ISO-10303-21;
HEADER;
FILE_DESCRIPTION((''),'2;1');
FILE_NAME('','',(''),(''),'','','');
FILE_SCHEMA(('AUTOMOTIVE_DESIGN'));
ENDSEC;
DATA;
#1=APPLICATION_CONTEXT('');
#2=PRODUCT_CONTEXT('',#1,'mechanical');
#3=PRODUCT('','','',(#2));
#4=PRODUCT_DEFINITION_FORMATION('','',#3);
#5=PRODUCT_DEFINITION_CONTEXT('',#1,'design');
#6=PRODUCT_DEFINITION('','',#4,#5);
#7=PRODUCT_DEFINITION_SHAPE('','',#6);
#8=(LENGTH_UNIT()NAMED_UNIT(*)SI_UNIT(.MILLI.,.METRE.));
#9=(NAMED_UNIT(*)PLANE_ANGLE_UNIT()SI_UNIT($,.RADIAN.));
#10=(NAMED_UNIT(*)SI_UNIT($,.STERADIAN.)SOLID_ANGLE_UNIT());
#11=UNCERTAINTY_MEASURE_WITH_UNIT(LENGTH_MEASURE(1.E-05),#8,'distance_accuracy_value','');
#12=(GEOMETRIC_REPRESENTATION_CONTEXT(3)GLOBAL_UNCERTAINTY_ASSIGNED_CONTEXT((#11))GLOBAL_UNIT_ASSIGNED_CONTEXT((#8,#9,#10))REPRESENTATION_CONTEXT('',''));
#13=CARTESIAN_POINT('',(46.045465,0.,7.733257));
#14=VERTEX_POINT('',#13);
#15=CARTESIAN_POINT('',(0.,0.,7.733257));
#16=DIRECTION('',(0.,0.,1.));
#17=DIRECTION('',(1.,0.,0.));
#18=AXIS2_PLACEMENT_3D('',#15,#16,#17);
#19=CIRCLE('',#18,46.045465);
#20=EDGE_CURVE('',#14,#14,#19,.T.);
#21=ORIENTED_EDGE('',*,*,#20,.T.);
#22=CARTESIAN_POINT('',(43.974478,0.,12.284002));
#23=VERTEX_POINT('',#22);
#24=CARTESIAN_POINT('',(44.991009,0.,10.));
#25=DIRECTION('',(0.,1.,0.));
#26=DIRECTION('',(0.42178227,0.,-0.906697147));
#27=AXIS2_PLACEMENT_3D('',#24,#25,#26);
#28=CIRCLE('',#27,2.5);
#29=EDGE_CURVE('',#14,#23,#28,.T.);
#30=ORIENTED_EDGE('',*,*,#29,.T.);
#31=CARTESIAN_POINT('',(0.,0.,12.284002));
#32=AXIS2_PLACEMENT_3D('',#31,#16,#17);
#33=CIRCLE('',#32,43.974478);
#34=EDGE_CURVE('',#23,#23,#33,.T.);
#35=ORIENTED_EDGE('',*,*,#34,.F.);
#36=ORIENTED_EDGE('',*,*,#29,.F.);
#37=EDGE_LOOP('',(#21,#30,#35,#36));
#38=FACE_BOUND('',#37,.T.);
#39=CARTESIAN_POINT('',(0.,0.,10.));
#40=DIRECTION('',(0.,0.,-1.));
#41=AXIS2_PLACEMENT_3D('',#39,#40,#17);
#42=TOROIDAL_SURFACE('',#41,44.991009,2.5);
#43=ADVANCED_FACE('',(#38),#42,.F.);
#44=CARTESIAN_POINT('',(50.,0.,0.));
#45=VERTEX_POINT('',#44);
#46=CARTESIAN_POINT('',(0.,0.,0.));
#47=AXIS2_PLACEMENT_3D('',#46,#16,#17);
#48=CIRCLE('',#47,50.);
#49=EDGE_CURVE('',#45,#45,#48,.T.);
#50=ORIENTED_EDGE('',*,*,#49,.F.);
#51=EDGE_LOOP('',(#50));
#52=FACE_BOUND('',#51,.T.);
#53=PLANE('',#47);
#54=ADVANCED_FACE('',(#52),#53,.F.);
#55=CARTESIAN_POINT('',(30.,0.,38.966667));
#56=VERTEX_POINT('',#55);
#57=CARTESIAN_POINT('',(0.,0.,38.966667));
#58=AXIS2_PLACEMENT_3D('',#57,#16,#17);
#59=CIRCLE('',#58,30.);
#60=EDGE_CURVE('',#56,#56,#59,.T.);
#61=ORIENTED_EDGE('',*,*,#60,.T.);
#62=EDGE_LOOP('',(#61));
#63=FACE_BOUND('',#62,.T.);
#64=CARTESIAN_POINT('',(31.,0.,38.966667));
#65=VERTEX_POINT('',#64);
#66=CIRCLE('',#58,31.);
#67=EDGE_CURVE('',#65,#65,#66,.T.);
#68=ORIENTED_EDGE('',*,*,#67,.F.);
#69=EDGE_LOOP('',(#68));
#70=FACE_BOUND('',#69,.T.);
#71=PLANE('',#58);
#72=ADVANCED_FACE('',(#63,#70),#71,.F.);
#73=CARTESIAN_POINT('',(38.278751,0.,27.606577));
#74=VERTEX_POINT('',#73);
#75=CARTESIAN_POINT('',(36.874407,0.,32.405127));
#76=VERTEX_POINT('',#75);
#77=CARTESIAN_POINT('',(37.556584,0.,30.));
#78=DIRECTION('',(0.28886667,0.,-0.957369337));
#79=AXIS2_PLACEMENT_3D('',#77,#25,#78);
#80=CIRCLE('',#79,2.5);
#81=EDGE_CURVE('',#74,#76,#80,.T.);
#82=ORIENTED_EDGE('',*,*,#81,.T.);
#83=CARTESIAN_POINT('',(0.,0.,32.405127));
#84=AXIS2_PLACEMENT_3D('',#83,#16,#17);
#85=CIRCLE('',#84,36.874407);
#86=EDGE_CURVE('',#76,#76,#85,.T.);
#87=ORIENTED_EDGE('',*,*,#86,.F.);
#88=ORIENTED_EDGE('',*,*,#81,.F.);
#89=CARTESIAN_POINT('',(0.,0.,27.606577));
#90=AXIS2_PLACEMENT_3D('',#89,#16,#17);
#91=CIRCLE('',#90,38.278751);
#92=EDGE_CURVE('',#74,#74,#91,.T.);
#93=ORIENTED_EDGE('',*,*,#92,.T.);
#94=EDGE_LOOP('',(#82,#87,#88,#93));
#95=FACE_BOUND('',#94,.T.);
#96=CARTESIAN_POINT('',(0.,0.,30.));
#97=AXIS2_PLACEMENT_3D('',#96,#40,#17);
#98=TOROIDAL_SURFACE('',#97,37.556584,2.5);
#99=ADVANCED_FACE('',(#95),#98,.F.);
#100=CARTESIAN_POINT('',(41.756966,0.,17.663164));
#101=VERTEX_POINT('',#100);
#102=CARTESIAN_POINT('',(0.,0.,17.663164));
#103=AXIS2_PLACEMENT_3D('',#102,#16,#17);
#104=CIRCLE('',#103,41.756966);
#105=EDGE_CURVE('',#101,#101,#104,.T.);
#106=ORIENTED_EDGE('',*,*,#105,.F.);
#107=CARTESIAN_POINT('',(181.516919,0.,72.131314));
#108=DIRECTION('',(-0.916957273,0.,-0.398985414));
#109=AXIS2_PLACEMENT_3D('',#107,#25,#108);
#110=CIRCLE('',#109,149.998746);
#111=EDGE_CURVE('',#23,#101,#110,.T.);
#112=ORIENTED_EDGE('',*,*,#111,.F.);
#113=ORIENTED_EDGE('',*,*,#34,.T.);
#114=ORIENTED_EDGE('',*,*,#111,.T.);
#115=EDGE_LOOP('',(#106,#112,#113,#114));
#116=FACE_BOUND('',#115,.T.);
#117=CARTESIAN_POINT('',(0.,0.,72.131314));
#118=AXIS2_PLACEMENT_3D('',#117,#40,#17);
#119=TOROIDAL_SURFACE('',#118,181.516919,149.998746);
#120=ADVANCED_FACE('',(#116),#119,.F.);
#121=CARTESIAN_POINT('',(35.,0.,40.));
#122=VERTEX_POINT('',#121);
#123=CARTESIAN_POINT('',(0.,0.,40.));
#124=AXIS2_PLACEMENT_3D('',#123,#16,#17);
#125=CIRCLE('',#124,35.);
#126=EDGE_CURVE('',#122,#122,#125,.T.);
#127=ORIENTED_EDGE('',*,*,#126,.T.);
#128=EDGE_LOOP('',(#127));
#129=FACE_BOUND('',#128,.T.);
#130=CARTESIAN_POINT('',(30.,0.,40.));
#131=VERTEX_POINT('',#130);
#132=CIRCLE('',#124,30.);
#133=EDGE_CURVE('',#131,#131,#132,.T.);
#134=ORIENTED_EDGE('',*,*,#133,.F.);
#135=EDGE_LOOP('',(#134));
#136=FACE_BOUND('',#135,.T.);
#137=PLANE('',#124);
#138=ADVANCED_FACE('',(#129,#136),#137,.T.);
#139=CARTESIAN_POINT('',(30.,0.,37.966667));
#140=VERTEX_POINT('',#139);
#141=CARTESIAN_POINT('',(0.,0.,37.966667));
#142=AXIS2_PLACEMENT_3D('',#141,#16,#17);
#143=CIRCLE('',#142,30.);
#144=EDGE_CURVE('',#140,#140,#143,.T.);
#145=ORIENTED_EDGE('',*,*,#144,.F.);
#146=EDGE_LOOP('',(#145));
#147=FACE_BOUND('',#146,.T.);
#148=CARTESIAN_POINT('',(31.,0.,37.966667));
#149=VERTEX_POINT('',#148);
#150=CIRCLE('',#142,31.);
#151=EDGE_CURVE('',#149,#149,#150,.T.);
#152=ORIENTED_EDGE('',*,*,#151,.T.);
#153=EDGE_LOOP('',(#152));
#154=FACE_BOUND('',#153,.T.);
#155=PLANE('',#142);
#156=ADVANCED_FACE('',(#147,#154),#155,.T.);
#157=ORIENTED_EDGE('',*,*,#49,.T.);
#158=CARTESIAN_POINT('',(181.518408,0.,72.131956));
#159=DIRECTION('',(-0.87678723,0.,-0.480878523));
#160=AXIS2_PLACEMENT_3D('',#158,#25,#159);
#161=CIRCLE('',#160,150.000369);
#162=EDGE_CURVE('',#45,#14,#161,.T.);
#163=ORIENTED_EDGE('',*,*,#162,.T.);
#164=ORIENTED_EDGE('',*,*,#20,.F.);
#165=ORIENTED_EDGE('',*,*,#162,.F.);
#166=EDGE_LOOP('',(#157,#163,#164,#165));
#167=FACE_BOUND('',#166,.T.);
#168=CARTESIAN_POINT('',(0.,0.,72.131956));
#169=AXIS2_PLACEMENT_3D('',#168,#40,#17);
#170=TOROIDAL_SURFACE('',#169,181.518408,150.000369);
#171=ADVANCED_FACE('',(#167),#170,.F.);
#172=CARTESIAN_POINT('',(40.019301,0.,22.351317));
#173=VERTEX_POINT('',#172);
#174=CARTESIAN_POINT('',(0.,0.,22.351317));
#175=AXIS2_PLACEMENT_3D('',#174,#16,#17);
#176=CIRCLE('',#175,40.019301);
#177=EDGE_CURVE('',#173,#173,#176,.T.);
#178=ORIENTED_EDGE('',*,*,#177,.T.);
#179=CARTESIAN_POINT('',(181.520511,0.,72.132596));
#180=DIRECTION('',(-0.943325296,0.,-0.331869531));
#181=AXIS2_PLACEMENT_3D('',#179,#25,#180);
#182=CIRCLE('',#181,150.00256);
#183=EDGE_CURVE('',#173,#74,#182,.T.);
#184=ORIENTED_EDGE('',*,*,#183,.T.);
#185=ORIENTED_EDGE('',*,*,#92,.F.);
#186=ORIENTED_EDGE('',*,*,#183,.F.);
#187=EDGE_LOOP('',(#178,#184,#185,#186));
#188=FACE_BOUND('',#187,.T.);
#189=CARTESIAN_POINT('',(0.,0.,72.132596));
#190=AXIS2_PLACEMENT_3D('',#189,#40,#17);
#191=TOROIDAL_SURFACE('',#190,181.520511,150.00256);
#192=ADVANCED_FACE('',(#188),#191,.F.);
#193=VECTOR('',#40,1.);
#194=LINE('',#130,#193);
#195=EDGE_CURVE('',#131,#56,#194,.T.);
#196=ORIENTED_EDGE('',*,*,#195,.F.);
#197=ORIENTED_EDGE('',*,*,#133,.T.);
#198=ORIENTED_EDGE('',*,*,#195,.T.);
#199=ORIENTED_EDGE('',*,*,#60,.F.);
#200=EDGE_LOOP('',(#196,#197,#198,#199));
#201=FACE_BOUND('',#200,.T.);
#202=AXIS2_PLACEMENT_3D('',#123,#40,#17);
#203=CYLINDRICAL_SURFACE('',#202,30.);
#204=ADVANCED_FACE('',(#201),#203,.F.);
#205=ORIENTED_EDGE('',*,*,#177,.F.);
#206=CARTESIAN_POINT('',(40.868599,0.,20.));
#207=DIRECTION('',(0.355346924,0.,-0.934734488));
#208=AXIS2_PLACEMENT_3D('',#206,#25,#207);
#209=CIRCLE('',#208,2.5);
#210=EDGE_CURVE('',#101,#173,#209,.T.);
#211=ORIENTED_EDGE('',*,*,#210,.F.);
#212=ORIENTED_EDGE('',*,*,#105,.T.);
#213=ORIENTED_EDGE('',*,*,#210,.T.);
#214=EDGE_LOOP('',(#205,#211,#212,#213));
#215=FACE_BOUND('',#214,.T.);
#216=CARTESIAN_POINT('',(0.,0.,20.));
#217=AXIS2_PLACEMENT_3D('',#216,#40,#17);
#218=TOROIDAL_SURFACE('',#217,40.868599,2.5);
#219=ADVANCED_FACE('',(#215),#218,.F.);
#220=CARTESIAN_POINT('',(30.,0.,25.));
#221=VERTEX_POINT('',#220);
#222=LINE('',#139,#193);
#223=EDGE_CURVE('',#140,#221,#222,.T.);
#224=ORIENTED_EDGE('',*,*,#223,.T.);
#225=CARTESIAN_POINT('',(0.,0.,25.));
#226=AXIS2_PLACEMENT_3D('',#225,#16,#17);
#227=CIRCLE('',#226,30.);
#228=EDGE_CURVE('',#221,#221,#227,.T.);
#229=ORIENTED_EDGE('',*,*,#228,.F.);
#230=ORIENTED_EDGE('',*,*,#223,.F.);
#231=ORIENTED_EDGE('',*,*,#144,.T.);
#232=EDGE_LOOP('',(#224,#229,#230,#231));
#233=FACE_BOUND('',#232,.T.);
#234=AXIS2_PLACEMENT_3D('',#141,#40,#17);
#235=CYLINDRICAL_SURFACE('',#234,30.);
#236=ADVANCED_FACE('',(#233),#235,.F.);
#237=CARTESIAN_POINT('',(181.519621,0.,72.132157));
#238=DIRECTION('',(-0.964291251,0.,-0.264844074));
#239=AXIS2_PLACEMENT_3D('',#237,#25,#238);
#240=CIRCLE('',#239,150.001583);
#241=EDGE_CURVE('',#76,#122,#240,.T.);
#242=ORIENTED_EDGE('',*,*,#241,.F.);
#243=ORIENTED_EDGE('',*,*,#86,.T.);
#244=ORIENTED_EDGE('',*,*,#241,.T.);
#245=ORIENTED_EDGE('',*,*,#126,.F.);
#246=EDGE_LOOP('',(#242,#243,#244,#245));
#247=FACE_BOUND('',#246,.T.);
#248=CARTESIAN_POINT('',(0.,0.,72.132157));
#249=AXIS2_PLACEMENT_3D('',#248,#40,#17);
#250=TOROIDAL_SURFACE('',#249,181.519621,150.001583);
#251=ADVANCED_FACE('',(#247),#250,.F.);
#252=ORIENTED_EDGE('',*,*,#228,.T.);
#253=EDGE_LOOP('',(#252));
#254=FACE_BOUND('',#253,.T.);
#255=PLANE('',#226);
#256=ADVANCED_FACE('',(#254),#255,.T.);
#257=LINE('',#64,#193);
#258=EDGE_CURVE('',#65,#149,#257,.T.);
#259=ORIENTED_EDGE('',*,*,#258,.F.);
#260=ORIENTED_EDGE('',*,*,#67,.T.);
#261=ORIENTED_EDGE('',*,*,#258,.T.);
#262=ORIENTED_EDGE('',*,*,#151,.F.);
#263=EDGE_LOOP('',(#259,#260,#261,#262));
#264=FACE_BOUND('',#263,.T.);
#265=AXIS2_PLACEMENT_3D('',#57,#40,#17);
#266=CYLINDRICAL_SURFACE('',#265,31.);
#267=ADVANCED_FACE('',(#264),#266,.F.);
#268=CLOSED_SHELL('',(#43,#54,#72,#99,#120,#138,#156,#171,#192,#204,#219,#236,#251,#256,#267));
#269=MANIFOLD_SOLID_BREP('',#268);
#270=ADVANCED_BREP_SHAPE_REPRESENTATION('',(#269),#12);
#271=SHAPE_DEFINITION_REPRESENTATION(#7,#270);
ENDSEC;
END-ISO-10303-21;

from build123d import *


with BuildPart() as f1:
    # F0 (on Front) → F1 (revolve)
    with BuildSketch(Plane.XZ):
        with BuildLine():
            Line((0, 0), (50, 0))
            ThreePointArc((50, 0), (47.966747, 3.837999), (46.045465, 7.733257))
            ThreePointArc((46.045465, 7.733257), (42.715558, 8.96447), (43.974478, 12.284002))
            ThreePointArc((43.974478, 12.284002), (42.839638, 14.96283), (41.756966, 17.663164))
            ThreePointArc((41.756966, 17.663164), (38.524441, 19.131137), (40.019301, 22.351317))
            ThreePointArc((40.019301, 22.351317), (39.12478, 24.970917), (38.278751, 27.606577))
            ThreePointArc((38.278751, 27.606577), (35.157226, 29.297804), (36.874407, 32.405127))
            ThreePointArc((36.874407, 32.405127), (35.887685, 36.190342), (35, 40))
            Line((35, 40), (30, 40))
            Line((30, 40), (30, 38.966667))
            Line((30, 38.966667), (31, 38.966667))
            Line((31, 38.966667), (31, 37.966667))
            Line((31, 37.966667), (30, 37.966667))
            Line((30, 37.966667), (30, 25))
            Line((30, 25), (0, 25))
            Line((0, 25), (0, 0))
        make_face()
    revolve(axis=Axis((0, 0, 12.5), (0, 0, 1)))


solid = f1.part
